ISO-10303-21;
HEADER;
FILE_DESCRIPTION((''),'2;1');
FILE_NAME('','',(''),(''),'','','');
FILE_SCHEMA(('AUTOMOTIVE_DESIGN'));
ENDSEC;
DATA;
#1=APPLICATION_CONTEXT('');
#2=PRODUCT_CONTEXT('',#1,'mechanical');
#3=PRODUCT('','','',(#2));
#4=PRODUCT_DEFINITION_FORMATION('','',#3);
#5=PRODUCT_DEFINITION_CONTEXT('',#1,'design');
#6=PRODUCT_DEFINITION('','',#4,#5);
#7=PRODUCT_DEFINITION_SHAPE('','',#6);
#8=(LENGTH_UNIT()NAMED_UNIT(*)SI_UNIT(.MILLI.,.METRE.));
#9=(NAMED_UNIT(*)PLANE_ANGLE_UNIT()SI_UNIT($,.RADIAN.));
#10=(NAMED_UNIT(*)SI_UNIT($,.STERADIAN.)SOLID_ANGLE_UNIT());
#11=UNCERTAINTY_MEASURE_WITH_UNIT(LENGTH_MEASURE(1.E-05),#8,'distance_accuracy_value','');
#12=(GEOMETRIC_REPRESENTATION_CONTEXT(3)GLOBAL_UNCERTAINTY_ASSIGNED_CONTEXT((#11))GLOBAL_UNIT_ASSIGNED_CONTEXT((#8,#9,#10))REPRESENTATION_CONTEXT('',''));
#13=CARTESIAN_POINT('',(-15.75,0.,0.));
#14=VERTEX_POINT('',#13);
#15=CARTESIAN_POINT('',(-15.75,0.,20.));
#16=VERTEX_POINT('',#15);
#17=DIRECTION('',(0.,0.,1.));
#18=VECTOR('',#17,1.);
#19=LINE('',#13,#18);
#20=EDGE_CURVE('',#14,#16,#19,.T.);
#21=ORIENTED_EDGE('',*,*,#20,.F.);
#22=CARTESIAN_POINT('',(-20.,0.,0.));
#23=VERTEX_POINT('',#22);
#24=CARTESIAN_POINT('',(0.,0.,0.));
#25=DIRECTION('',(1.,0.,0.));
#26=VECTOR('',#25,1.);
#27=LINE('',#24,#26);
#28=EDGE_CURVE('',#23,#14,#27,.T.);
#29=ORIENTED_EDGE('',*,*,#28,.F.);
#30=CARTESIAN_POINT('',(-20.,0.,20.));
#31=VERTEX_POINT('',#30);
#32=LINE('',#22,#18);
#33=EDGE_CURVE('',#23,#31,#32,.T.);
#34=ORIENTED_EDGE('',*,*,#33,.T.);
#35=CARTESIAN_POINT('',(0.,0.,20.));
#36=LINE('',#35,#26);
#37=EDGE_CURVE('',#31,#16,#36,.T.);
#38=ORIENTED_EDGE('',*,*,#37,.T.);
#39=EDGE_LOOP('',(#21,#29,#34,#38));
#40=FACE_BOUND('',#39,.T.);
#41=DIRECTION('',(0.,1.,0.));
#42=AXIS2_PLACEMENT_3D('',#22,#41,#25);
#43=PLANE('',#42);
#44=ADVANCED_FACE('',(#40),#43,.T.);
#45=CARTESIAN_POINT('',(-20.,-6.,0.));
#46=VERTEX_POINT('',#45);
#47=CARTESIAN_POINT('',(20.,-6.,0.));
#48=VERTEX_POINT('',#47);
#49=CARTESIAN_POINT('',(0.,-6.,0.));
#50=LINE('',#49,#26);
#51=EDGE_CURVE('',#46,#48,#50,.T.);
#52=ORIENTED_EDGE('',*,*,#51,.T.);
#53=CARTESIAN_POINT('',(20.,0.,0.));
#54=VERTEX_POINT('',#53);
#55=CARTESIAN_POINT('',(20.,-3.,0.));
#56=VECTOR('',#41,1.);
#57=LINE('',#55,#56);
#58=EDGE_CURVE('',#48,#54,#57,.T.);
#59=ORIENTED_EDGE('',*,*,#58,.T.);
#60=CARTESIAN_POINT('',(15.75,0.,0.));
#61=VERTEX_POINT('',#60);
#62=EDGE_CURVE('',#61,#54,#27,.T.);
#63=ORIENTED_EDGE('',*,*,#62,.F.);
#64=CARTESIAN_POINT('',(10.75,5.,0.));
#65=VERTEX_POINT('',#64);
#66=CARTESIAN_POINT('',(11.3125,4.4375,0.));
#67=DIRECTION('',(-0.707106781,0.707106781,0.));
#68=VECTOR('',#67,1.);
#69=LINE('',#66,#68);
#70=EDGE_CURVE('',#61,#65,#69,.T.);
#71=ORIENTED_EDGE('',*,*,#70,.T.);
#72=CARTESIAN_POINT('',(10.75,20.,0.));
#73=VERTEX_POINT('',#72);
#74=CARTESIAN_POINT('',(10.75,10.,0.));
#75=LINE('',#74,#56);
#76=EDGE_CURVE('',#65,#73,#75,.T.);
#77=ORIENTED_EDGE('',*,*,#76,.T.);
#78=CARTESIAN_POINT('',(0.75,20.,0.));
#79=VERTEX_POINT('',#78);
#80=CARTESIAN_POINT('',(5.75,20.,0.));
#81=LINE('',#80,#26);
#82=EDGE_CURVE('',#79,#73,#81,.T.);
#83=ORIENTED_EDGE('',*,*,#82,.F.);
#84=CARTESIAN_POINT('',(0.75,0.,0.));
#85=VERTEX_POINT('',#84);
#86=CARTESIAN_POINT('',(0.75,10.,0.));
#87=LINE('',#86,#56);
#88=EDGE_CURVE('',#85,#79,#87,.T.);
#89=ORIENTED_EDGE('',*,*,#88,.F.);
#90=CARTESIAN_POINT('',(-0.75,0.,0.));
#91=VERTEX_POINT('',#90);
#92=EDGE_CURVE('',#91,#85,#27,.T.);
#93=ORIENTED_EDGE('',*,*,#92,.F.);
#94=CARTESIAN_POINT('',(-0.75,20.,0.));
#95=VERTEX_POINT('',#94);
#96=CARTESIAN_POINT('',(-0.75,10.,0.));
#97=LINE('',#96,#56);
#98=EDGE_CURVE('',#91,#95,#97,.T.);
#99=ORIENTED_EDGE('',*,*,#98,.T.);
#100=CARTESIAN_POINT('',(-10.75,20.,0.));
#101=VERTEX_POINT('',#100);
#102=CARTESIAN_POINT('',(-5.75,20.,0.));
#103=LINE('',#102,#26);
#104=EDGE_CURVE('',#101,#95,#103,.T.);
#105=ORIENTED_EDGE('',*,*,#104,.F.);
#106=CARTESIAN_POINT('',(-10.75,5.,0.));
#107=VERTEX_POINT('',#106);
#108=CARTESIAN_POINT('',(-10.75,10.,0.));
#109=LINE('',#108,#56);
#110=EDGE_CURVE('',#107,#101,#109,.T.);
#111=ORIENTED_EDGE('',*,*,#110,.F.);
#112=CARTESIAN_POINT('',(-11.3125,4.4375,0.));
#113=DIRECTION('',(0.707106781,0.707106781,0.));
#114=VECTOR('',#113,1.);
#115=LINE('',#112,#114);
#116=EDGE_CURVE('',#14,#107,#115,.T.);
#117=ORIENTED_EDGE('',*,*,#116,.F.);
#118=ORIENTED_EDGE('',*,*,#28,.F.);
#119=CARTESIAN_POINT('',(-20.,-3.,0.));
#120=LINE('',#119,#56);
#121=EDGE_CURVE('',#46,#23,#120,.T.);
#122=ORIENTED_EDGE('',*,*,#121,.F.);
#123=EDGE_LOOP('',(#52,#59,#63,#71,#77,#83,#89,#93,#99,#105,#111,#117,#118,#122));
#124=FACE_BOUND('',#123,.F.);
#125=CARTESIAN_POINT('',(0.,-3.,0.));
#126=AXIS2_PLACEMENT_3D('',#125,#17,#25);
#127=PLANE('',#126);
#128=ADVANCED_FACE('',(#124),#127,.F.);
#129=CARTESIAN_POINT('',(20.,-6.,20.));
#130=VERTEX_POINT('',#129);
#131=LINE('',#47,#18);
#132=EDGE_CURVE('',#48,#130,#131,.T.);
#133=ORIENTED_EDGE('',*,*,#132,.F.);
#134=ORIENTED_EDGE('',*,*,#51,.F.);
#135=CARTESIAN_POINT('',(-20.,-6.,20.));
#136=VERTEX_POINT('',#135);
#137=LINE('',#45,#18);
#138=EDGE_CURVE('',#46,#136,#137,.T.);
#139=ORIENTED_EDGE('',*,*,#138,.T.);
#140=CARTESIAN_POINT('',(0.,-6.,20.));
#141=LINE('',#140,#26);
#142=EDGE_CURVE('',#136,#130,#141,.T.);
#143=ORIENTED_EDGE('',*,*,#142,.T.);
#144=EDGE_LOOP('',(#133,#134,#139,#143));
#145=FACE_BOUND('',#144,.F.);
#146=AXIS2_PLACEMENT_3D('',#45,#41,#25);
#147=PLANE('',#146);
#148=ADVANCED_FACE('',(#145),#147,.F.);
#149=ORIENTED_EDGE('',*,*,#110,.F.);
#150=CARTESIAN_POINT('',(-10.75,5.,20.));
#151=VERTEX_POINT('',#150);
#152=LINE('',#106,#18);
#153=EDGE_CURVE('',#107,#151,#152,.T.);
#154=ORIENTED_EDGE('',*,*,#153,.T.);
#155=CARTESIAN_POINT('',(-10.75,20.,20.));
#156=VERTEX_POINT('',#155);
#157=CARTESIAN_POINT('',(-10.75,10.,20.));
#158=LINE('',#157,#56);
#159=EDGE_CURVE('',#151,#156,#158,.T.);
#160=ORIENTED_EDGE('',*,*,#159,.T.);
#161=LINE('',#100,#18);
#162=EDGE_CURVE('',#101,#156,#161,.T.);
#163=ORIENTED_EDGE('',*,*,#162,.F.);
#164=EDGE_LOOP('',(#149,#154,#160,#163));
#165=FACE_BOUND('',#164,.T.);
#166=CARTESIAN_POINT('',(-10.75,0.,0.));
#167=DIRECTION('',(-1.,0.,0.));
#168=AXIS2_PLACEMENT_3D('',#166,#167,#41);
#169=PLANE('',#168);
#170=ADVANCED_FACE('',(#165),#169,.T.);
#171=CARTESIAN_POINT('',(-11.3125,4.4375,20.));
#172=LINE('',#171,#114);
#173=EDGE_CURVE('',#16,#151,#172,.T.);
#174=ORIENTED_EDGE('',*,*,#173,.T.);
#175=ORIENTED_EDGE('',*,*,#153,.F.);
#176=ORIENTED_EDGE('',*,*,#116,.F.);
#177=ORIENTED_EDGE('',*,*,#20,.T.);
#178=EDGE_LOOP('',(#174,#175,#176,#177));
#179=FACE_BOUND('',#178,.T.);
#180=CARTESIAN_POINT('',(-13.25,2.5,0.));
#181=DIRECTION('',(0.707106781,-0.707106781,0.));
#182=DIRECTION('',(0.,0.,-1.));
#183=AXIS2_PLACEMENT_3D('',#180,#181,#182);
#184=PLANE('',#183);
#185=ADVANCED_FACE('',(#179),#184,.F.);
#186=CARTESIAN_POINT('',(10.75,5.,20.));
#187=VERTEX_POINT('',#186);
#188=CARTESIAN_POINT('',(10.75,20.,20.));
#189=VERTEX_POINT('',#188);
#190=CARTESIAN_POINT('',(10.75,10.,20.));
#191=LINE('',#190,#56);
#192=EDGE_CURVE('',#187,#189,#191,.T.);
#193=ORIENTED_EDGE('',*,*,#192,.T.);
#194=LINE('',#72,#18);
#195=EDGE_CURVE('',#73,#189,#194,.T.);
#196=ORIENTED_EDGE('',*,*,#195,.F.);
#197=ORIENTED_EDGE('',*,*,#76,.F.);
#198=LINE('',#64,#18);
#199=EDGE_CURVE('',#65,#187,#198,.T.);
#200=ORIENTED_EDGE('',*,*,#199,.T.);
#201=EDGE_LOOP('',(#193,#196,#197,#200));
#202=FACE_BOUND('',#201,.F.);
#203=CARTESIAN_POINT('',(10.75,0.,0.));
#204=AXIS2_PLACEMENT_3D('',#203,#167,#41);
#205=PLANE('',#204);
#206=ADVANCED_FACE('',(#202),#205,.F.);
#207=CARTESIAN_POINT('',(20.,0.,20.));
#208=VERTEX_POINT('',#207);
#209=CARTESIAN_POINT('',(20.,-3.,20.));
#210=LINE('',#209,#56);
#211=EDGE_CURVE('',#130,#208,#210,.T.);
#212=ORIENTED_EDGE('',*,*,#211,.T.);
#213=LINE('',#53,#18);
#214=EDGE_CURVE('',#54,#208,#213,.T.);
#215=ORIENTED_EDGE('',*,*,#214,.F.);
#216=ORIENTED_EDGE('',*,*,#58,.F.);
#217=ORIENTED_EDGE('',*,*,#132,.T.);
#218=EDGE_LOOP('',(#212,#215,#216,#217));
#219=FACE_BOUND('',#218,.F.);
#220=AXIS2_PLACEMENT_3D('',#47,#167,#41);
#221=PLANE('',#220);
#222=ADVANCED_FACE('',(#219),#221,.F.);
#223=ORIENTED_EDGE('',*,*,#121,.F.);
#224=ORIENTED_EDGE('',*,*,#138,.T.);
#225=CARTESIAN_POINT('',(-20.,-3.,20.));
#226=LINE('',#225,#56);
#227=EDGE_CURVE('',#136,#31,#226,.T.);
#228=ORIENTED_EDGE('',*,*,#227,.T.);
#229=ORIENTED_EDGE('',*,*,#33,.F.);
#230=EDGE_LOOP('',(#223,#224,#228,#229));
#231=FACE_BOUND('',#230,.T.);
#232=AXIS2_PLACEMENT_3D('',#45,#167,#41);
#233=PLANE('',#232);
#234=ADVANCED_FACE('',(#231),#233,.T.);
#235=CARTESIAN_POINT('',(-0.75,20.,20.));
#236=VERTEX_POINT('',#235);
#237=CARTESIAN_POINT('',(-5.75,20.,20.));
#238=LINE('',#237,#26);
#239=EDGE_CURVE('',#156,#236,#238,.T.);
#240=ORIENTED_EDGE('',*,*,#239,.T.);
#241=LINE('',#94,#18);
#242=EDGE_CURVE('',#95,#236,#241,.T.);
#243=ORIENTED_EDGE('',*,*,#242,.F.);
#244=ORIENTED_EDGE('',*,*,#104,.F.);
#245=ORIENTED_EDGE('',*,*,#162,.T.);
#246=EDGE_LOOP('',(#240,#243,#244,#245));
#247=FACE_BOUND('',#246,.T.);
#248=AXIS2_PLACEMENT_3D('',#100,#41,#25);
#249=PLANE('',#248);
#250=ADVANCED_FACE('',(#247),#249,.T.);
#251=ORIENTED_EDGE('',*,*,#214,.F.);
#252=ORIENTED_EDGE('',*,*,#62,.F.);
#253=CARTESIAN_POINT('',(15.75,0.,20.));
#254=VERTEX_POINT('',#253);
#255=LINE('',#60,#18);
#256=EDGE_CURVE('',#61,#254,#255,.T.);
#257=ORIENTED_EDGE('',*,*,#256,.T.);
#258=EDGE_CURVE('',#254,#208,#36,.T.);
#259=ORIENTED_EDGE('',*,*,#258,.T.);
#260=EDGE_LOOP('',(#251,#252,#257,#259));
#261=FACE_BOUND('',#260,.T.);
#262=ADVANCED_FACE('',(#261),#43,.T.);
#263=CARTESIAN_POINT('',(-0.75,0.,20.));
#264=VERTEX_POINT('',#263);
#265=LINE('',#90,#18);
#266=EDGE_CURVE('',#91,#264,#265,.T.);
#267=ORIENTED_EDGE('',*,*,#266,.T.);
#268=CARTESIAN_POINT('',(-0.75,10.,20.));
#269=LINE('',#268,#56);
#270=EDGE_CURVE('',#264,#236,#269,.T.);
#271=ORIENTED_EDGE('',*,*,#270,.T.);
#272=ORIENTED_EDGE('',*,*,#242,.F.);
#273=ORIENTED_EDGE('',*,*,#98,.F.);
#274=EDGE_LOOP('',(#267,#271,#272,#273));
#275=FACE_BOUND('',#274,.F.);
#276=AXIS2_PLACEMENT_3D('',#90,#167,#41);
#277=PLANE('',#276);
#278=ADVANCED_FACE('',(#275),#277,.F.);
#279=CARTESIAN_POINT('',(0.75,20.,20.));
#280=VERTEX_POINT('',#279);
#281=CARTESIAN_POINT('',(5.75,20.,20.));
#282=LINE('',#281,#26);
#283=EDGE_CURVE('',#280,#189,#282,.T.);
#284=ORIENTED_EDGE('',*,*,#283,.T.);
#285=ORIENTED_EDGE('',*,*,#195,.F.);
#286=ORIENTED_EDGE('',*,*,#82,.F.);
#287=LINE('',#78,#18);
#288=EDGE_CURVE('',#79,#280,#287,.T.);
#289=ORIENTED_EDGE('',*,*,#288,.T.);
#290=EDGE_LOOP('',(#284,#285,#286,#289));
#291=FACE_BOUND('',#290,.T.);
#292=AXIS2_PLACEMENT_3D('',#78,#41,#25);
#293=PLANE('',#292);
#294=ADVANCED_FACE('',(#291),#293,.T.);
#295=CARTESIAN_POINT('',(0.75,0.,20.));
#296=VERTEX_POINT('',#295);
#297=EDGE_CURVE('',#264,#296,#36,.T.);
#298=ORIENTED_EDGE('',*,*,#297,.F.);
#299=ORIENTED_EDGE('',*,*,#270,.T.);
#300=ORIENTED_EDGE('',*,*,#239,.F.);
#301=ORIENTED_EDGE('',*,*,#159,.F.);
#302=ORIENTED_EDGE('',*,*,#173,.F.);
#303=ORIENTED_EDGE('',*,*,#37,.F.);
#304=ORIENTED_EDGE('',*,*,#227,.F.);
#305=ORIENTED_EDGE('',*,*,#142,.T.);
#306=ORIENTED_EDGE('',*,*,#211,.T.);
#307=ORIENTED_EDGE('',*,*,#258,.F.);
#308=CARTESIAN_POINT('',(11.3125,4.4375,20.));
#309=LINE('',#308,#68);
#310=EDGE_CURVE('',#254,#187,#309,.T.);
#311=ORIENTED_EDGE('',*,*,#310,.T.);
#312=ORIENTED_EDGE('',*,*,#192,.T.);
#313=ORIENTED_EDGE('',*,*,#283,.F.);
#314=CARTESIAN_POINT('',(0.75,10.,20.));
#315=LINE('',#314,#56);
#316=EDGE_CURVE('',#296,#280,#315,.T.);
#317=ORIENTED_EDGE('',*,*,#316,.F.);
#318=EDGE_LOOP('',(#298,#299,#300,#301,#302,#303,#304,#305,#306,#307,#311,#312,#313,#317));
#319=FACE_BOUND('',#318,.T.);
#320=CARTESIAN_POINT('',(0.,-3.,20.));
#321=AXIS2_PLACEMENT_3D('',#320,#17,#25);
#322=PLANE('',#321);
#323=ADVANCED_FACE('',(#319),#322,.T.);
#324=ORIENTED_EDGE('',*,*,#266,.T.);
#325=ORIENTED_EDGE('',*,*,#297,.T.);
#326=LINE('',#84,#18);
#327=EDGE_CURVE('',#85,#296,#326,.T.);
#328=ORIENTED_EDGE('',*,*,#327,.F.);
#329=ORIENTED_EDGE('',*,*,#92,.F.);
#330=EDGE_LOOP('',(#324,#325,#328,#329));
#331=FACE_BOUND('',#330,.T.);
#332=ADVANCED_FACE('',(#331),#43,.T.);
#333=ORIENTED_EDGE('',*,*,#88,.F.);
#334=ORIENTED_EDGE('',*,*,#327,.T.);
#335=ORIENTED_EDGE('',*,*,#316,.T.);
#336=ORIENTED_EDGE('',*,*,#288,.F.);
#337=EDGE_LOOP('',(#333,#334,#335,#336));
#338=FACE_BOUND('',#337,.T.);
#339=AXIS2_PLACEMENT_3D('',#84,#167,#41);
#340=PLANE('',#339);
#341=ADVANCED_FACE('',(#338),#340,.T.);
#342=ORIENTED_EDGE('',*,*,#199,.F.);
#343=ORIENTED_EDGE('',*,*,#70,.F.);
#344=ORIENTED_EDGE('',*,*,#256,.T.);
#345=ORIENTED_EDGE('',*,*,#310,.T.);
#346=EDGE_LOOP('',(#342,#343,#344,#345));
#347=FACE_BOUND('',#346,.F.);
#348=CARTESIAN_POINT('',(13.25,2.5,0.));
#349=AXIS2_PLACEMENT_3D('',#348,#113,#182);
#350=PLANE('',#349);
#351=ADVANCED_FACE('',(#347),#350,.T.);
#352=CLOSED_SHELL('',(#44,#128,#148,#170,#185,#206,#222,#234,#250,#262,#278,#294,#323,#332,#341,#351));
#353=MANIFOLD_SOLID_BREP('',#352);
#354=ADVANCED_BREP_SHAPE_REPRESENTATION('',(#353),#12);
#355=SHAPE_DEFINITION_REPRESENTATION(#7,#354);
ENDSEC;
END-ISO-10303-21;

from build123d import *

# Parameters (mm, degrees)
BOX015_W        = 10
BOX015_H        = 20
BOX015_DEPTH    = 20
BOX014_W        = 10
BOX014_H        = 20
BOX014_DEPTH    = 20
BOX016_W        = 40
BOX016_H        = 6
BOX016_DEPTH    = 20
CHAMFER001_SIZE = 5


with BuildPart() as cube015:
    # Box015 → Box015 (new body)
    with BuildSketch(Plane(origin=(-10.75, 0, 0), x_dir=(1, 0, 0), z_dir=(0, 0, 1))):
        with Locations((5, 10)):
            Rectangle(BOX015_W, BOX015_H)
    extrude(amount=BOX015_DEPTH)


with BuildPart() as cube014:
    # Box014 → Box014 (new body)
    with BuildSketch(Plane(origin=(0.75, 0, 0), x_dir=(1, 0, 0), z_dir=(0, 0, 1))):
        with Locations((5, 10)):
            Rectangle(BOX014_W, BOX014_H)
    extrude(amount=BOX014_DEPTH)


with BuildPart() as chamfer001:
    # Box016 → Box016 (new body)
    with BuildSketch(Plane(origin=(-20, -6, 0), x_dir=(1, 0, 0), z_dir=(0, 0, 1))):
        with Locations((20, 3)):
            Rectangle(BOX016_W, BOX016_H)
    extrude(amount=BOX016_DEPTH)

    # Fusion007: union Cube015, Cube014
    add(cube015.part)
    add(cube014.part)

    # Chamfer001
    chamfer001_edges = [chamfer001.edges().sort_by_distance(p)[0] for p in [
        (-10.75, 0, 10),
        (10.75, 0, 10),
    ]]
    chamfer(chamfer001_edges, length=CHAMFER001_SIZE)


solid = chamfer001.part
